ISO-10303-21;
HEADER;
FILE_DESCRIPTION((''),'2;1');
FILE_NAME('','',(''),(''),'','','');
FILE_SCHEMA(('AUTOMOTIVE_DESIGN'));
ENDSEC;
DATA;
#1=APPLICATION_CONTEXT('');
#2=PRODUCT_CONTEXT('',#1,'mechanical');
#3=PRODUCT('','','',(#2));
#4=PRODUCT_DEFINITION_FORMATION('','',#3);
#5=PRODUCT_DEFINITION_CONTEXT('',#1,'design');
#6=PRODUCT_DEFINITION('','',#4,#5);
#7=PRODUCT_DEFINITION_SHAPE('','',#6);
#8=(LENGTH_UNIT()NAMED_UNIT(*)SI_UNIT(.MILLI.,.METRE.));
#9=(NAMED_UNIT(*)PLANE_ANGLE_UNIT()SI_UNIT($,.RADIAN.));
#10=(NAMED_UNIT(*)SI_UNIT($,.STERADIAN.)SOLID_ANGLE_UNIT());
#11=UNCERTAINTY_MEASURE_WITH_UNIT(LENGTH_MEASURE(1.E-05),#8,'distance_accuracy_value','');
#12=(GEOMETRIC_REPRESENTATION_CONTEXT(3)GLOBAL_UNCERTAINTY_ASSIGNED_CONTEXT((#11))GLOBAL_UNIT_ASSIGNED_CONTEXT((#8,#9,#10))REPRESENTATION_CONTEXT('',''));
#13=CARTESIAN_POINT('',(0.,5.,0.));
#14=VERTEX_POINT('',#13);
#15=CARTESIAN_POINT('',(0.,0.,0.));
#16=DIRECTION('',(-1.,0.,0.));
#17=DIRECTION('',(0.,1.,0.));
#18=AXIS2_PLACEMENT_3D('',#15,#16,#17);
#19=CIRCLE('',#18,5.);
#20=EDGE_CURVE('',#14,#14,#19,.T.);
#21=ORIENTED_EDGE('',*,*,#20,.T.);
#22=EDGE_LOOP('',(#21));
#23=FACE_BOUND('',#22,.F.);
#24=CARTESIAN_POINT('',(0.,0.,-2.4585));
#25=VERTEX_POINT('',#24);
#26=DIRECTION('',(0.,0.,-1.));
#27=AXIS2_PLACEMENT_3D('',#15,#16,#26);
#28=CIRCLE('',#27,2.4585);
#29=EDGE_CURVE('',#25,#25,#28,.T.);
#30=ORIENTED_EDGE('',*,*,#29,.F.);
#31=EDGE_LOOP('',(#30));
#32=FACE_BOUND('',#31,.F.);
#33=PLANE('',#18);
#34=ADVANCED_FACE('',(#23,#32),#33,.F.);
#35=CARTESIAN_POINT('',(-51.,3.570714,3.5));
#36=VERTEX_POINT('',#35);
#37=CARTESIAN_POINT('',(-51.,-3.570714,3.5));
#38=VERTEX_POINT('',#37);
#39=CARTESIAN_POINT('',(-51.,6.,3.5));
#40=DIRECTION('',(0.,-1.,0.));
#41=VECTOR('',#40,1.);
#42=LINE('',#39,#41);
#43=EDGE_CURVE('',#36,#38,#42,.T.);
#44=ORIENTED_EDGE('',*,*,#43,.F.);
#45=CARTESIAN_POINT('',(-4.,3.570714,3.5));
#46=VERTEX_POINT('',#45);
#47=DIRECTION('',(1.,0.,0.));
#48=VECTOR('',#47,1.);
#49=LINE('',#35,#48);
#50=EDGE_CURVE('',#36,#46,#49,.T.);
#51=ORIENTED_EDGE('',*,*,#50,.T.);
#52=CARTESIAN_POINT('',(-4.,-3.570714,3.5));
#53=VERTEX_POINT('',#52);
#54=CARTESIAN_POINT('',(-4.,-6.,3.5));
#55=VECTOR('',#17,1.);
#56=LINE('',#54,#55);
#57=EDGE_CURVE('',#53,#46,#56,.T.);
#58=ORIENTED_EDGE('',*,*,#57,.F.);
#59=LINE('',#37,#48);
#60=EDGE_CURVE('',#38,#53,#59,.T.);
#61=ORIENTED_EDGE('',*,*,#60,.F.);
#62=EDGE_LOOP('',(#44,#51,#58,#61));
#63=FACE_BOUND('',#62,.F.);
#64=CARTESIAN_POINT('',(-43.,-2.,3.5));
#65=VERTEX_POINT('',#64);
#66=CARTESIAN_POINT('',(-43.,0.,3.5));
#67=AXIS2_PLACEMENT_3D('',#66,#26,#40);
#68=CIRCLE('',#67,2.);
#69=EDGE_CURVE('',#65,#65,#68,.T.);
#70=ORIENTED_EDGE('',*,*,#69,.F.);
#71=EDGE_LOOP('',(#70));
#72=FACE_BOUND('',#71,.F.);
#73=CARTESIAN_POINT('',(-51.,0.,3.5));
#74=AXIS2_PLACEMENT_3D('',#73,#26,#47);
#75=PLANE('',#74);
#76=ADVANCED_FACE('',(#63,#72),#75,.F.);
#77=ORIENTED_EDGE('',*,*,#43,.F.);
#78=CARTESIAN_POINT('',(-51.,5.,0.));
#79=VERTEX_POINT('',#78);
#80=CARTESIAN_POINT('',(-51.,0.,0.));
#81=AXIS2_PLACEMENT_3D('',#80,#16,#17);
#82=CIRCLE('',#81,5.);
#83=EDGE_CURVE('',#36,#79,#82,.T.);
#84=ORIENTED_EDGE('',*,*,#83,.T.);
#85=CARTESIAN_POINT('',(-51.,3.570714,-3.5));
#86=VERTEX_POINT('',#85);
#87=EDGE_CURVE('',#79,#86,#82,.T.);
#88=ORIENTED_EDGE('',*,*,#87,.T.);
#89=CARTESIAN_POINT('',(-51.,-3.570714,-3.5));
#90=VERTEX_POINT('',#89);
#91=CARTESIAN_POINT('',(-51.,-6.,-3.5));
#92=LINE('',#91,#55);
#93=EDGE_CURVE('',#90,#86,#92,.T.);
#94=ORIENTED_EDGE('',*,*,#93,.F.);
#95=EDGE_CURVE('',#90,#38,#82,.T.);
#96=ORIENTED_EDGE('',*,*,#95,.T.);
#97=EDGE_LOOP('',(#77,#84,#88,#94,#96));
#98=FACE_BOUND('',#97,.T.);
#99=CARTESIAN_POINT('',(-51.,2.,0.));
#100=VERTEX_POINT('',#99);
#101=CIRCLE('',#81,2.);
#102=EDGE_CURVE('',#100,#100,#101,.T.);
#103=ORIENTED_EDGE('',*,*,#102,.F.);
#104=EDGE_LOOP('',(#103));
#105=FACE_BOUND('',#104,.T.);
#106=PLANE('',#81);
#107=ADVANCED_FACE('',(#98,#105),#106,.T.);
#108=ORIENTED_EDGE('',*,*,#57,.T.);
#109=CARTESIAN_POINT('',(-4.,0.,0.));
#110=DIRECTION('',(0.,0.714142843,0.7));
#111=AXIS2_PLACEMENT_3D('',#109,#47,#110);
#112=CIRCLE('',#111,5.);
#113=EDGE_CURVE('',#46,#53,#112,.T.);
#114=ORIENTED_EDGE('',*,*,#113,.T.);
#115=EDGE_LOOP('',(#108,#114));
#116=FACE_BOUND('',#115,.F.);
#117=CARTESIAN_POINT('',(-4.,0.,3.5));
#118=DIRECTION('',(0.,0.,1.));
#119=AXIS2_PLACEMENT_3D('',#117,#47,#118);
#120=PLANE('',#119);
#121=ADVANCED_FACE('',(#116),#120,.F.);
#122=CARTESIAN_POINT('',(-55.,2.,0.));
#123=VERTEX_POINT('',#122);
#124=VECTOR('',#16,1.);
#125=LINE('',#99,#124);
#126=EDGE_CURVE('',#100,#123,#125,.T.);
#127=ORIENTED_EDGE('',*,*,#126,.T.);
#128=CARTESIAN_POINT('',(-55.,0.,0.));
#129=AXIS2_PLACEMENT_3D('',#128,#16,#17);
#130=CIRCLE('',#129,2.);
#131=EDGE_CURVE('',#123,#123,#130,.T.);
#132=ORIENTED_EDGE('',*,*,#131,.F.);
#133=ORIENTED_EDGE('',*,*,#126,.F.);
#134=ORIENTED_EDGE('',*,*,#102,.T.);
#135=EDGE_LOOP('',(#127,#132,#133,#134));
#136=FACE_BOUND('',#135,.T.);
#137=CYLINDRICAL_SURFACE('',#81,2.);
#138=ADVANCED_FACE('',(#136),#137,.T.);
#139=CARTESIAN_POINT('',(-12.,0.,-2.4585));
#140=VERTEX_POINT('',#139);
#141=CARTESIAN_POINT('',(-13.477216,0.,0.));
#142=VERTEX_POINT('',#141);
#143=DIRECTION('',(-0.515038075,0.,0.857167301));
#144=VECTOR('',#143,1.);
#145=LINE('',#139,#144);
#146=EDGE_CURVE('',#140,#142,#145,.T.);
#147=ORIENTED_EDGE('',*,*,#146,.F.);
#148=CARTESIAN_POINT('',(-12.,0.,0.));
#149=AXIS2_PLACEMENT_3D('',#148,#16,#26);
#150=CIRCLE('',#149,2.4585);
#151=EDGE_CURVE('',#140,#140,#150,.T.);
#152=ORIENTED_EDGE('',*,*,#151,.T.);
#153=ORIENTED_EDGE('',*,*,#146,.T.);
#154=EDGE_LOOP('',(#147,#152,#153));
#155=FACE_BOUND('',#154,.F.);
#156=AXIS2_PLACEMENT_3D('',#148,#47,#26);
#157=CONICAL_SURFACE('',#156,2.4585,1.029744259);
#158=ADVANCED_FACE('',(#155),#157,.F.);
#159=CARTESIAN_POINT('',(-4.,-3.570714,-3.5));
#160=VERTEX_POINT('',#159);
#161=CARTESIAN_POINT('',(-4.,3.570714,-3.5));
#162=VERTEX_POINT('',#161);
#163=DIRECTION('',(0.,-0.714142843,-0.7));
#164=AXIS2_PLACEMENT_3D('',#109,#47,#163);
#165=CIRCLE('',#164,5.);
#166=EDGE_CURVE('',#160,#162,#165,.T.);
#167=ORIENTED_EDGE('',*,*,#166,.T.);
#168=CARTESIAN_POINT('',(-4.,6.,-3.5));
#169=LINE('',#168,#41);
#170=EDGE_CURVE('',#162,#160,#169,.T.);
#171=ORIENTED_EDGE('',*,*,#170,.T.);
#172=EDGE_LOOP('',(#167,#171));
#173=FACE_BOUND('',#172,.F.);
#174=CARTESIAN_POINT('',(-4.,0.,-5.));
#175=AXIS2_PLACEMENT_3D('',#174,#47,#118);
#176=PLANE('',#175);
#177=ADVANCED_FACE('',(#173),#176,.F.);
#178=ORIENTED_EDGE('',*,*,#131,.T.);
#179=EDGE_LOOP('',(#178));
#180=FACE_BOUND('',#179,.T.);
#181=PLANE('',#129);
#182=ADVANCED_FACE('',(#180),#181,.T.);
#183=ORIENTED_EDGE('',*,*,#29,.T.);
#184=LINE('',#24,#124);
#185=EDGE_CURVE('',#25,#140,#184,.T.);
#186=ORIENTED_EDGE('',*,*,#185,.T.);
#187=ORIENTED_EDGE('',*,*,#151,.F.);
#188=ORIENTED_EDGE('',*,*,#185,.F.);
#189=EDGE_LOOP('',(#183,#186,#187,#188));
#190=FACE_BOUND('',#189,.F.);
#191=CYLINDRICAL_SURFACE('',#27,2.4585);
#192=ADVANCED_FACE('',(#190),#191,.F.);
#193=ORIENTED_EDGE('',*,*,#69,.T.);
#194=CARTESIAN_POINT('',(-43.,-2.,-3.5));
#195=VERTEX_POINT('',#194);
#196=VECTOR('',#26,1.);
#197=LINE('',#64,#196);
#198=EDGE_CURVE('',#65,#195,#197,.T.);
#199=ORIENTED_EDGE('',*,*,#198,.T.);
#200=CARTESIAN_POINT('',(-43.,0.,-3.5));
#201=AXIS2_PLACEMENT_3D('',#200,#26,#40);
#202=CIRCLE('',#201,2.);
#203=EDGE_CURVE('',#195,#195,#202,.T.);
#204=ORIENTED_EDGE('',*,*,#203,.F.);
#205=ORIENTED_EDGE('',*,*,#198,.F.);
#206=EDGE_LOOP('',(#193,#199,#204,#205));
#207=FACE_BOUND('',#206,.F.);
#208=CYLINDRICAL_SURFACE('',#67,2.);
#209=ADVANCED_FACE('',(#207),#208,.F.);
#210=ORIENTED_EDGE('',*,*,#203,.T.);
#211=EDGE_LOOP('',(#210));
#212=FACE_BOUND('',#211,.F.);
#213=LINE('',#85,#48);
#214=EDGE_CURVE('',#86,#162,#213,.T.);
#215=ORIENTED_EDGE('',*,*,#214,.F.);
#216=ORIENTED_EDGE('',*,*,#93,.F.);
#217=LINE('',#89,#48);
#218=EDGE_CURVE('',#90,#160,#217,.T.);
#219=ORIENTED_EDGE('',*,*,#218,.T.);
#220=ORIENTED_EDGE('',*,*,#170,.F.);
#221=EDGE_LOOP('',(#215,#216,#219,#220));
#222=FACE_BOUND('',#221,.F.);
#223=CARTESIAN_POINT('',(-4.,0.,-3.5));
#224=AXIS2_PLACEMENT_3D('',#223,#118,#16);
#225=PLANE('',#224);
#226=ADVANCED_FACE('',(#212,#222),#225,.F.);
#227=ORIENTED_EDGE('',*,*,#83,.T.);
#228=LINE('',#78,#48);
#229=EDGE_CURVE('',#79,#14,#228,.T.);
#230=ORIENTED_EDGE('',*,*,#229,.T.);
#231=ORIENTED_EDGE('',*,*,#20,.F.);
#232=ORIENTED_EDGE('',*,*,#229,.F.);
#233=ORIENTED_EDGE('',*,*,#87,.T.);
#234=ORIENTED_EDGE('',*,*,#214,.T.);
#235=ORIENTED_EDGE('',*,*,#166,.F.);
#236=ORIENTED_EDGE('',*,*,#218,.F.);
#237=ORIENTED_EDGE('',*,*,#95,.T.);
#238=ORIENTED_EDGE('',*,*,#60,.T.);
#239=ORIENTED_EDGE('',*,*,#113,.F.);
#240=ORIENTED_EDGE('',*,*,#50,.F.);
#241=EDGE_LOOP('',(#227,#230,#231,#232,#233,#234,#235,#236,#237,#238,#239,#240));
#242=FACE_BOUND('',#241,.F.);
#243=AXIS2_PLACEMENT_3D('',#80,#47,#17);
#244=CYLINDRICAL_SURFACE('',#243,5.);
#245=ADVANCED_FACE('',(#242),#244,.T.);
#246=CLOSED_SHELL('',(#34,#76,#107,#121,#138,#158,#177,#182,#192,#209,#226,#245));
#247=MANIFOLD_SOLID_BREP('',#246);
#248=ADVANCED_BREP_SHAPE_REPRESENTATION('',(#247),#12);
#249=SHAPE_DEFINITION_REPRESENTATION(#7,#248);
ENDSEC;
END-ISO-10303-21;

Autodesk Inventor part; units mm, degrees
ref_plane "YZ Plane" through (0, 0, 0) normal (1, 0, 0) x (0, 1, 0)
ref_plane "XZ Plane" through (0, 0, 0) normal (0, 1, 0) x (-1, 0, 0)
ref_plane "XY Plane" through (0, 0, 0) normal (0, 0, 1) x (1, 0, 0)
sketch "Skizze1" plane through (0, 0, 0) normal (0, 0, 1) x (1, 0, 0)
  line L0 (0, 0) -> (-67, 0)
  line L1 (-51, 5) -> (0, 5)
  line L2 (0, 5) -> (0, 0)
  line L3 (-51, 5) -> (-51, 2)
  line L4 (-51, 2) -> (-55, 2)
  line L5 (-55, 2) -> (-55, 0)
  line L6 (-56, 0) -> (-55, 0)
  dimension "d0" = 51
  dimension "d42" = 10
  dimension "d60" = 4
  dimension "d61" = 4
revolve "Umdrehung1" add sketch "Skizze1" angle 360 about axis through (0, 0, 0) along (-1, 0, 0)
sketch "Skizze3" plane through (0, 0, 0) normal (0, 1, 0) x (-1, 0, 0)
  line L0 (51, 5) -> (51, -5) construction
  line L1 (51, -5) -> (0, -5) construction
  line L2 (51, 5) -> (0, 5) construction
  line L3 (51, -5) -> (4, -5)
  line L4 (4, -5) -> (4, -3.5)
  line L5 (4, -3.5) -> (51, -3.5)
  line L6 (51, -3.5) -> (51, -5)
  line L7 (4, 5) -> (51, 5)
  line L8 (51, 5) -> (51, 3.5)
  line L9 (51, 3.5) -> (4, 3.5)
  line L10 (4, 3.5) -> (4, 5)
  line L11 (0, 5) -> (0, -5) projected
  point P0 (0, 0)
  dimension "d10" = 7
  dimension "d11" = 4
extrude "Extrusion1" cut sketch "Skizze3" along normal through all both and the other way through all
sketch "Skizze8" plane through (-4, -3.5707, 3.5) normal (0, 0, 1) x (1, 0, 0)
  line L0 (0, 0) -> (-47, 0) construction
  line L1 (0, 7.1414) -> (0, 0) construction
  line L2 (-47, 7.1414) -> (0, 7.1414) construction
  line L3 (-47, 0) -> (-47, 7.1414) construction
  line L4 (4, -1.4293) -> (4, 8.5707) construction
  point P0 (-39, 3.5707)
  point P1 (4, 3.5707)
  dimension "d63" = 8
hole "Bohrung3" at (-43, 0, 3.5) direction (0, 0, -1) diameter 4 end through all
sketch "Skizze9" plane through (0, 0, 0) normal (1, 0, 0) x (0, 0, -1)
  circle A0 centre (0, 0) radius 5 construction
hole "Bohrung5" at (0, 0, 0) direction (-1, 0, 0) diameter 4.917 depth 12 tip angle 118 thread size "M6x1" class "6H" standard "ISO Metric profile"
properties part number "Shaft_newtest" material "Aluminium 6061"
